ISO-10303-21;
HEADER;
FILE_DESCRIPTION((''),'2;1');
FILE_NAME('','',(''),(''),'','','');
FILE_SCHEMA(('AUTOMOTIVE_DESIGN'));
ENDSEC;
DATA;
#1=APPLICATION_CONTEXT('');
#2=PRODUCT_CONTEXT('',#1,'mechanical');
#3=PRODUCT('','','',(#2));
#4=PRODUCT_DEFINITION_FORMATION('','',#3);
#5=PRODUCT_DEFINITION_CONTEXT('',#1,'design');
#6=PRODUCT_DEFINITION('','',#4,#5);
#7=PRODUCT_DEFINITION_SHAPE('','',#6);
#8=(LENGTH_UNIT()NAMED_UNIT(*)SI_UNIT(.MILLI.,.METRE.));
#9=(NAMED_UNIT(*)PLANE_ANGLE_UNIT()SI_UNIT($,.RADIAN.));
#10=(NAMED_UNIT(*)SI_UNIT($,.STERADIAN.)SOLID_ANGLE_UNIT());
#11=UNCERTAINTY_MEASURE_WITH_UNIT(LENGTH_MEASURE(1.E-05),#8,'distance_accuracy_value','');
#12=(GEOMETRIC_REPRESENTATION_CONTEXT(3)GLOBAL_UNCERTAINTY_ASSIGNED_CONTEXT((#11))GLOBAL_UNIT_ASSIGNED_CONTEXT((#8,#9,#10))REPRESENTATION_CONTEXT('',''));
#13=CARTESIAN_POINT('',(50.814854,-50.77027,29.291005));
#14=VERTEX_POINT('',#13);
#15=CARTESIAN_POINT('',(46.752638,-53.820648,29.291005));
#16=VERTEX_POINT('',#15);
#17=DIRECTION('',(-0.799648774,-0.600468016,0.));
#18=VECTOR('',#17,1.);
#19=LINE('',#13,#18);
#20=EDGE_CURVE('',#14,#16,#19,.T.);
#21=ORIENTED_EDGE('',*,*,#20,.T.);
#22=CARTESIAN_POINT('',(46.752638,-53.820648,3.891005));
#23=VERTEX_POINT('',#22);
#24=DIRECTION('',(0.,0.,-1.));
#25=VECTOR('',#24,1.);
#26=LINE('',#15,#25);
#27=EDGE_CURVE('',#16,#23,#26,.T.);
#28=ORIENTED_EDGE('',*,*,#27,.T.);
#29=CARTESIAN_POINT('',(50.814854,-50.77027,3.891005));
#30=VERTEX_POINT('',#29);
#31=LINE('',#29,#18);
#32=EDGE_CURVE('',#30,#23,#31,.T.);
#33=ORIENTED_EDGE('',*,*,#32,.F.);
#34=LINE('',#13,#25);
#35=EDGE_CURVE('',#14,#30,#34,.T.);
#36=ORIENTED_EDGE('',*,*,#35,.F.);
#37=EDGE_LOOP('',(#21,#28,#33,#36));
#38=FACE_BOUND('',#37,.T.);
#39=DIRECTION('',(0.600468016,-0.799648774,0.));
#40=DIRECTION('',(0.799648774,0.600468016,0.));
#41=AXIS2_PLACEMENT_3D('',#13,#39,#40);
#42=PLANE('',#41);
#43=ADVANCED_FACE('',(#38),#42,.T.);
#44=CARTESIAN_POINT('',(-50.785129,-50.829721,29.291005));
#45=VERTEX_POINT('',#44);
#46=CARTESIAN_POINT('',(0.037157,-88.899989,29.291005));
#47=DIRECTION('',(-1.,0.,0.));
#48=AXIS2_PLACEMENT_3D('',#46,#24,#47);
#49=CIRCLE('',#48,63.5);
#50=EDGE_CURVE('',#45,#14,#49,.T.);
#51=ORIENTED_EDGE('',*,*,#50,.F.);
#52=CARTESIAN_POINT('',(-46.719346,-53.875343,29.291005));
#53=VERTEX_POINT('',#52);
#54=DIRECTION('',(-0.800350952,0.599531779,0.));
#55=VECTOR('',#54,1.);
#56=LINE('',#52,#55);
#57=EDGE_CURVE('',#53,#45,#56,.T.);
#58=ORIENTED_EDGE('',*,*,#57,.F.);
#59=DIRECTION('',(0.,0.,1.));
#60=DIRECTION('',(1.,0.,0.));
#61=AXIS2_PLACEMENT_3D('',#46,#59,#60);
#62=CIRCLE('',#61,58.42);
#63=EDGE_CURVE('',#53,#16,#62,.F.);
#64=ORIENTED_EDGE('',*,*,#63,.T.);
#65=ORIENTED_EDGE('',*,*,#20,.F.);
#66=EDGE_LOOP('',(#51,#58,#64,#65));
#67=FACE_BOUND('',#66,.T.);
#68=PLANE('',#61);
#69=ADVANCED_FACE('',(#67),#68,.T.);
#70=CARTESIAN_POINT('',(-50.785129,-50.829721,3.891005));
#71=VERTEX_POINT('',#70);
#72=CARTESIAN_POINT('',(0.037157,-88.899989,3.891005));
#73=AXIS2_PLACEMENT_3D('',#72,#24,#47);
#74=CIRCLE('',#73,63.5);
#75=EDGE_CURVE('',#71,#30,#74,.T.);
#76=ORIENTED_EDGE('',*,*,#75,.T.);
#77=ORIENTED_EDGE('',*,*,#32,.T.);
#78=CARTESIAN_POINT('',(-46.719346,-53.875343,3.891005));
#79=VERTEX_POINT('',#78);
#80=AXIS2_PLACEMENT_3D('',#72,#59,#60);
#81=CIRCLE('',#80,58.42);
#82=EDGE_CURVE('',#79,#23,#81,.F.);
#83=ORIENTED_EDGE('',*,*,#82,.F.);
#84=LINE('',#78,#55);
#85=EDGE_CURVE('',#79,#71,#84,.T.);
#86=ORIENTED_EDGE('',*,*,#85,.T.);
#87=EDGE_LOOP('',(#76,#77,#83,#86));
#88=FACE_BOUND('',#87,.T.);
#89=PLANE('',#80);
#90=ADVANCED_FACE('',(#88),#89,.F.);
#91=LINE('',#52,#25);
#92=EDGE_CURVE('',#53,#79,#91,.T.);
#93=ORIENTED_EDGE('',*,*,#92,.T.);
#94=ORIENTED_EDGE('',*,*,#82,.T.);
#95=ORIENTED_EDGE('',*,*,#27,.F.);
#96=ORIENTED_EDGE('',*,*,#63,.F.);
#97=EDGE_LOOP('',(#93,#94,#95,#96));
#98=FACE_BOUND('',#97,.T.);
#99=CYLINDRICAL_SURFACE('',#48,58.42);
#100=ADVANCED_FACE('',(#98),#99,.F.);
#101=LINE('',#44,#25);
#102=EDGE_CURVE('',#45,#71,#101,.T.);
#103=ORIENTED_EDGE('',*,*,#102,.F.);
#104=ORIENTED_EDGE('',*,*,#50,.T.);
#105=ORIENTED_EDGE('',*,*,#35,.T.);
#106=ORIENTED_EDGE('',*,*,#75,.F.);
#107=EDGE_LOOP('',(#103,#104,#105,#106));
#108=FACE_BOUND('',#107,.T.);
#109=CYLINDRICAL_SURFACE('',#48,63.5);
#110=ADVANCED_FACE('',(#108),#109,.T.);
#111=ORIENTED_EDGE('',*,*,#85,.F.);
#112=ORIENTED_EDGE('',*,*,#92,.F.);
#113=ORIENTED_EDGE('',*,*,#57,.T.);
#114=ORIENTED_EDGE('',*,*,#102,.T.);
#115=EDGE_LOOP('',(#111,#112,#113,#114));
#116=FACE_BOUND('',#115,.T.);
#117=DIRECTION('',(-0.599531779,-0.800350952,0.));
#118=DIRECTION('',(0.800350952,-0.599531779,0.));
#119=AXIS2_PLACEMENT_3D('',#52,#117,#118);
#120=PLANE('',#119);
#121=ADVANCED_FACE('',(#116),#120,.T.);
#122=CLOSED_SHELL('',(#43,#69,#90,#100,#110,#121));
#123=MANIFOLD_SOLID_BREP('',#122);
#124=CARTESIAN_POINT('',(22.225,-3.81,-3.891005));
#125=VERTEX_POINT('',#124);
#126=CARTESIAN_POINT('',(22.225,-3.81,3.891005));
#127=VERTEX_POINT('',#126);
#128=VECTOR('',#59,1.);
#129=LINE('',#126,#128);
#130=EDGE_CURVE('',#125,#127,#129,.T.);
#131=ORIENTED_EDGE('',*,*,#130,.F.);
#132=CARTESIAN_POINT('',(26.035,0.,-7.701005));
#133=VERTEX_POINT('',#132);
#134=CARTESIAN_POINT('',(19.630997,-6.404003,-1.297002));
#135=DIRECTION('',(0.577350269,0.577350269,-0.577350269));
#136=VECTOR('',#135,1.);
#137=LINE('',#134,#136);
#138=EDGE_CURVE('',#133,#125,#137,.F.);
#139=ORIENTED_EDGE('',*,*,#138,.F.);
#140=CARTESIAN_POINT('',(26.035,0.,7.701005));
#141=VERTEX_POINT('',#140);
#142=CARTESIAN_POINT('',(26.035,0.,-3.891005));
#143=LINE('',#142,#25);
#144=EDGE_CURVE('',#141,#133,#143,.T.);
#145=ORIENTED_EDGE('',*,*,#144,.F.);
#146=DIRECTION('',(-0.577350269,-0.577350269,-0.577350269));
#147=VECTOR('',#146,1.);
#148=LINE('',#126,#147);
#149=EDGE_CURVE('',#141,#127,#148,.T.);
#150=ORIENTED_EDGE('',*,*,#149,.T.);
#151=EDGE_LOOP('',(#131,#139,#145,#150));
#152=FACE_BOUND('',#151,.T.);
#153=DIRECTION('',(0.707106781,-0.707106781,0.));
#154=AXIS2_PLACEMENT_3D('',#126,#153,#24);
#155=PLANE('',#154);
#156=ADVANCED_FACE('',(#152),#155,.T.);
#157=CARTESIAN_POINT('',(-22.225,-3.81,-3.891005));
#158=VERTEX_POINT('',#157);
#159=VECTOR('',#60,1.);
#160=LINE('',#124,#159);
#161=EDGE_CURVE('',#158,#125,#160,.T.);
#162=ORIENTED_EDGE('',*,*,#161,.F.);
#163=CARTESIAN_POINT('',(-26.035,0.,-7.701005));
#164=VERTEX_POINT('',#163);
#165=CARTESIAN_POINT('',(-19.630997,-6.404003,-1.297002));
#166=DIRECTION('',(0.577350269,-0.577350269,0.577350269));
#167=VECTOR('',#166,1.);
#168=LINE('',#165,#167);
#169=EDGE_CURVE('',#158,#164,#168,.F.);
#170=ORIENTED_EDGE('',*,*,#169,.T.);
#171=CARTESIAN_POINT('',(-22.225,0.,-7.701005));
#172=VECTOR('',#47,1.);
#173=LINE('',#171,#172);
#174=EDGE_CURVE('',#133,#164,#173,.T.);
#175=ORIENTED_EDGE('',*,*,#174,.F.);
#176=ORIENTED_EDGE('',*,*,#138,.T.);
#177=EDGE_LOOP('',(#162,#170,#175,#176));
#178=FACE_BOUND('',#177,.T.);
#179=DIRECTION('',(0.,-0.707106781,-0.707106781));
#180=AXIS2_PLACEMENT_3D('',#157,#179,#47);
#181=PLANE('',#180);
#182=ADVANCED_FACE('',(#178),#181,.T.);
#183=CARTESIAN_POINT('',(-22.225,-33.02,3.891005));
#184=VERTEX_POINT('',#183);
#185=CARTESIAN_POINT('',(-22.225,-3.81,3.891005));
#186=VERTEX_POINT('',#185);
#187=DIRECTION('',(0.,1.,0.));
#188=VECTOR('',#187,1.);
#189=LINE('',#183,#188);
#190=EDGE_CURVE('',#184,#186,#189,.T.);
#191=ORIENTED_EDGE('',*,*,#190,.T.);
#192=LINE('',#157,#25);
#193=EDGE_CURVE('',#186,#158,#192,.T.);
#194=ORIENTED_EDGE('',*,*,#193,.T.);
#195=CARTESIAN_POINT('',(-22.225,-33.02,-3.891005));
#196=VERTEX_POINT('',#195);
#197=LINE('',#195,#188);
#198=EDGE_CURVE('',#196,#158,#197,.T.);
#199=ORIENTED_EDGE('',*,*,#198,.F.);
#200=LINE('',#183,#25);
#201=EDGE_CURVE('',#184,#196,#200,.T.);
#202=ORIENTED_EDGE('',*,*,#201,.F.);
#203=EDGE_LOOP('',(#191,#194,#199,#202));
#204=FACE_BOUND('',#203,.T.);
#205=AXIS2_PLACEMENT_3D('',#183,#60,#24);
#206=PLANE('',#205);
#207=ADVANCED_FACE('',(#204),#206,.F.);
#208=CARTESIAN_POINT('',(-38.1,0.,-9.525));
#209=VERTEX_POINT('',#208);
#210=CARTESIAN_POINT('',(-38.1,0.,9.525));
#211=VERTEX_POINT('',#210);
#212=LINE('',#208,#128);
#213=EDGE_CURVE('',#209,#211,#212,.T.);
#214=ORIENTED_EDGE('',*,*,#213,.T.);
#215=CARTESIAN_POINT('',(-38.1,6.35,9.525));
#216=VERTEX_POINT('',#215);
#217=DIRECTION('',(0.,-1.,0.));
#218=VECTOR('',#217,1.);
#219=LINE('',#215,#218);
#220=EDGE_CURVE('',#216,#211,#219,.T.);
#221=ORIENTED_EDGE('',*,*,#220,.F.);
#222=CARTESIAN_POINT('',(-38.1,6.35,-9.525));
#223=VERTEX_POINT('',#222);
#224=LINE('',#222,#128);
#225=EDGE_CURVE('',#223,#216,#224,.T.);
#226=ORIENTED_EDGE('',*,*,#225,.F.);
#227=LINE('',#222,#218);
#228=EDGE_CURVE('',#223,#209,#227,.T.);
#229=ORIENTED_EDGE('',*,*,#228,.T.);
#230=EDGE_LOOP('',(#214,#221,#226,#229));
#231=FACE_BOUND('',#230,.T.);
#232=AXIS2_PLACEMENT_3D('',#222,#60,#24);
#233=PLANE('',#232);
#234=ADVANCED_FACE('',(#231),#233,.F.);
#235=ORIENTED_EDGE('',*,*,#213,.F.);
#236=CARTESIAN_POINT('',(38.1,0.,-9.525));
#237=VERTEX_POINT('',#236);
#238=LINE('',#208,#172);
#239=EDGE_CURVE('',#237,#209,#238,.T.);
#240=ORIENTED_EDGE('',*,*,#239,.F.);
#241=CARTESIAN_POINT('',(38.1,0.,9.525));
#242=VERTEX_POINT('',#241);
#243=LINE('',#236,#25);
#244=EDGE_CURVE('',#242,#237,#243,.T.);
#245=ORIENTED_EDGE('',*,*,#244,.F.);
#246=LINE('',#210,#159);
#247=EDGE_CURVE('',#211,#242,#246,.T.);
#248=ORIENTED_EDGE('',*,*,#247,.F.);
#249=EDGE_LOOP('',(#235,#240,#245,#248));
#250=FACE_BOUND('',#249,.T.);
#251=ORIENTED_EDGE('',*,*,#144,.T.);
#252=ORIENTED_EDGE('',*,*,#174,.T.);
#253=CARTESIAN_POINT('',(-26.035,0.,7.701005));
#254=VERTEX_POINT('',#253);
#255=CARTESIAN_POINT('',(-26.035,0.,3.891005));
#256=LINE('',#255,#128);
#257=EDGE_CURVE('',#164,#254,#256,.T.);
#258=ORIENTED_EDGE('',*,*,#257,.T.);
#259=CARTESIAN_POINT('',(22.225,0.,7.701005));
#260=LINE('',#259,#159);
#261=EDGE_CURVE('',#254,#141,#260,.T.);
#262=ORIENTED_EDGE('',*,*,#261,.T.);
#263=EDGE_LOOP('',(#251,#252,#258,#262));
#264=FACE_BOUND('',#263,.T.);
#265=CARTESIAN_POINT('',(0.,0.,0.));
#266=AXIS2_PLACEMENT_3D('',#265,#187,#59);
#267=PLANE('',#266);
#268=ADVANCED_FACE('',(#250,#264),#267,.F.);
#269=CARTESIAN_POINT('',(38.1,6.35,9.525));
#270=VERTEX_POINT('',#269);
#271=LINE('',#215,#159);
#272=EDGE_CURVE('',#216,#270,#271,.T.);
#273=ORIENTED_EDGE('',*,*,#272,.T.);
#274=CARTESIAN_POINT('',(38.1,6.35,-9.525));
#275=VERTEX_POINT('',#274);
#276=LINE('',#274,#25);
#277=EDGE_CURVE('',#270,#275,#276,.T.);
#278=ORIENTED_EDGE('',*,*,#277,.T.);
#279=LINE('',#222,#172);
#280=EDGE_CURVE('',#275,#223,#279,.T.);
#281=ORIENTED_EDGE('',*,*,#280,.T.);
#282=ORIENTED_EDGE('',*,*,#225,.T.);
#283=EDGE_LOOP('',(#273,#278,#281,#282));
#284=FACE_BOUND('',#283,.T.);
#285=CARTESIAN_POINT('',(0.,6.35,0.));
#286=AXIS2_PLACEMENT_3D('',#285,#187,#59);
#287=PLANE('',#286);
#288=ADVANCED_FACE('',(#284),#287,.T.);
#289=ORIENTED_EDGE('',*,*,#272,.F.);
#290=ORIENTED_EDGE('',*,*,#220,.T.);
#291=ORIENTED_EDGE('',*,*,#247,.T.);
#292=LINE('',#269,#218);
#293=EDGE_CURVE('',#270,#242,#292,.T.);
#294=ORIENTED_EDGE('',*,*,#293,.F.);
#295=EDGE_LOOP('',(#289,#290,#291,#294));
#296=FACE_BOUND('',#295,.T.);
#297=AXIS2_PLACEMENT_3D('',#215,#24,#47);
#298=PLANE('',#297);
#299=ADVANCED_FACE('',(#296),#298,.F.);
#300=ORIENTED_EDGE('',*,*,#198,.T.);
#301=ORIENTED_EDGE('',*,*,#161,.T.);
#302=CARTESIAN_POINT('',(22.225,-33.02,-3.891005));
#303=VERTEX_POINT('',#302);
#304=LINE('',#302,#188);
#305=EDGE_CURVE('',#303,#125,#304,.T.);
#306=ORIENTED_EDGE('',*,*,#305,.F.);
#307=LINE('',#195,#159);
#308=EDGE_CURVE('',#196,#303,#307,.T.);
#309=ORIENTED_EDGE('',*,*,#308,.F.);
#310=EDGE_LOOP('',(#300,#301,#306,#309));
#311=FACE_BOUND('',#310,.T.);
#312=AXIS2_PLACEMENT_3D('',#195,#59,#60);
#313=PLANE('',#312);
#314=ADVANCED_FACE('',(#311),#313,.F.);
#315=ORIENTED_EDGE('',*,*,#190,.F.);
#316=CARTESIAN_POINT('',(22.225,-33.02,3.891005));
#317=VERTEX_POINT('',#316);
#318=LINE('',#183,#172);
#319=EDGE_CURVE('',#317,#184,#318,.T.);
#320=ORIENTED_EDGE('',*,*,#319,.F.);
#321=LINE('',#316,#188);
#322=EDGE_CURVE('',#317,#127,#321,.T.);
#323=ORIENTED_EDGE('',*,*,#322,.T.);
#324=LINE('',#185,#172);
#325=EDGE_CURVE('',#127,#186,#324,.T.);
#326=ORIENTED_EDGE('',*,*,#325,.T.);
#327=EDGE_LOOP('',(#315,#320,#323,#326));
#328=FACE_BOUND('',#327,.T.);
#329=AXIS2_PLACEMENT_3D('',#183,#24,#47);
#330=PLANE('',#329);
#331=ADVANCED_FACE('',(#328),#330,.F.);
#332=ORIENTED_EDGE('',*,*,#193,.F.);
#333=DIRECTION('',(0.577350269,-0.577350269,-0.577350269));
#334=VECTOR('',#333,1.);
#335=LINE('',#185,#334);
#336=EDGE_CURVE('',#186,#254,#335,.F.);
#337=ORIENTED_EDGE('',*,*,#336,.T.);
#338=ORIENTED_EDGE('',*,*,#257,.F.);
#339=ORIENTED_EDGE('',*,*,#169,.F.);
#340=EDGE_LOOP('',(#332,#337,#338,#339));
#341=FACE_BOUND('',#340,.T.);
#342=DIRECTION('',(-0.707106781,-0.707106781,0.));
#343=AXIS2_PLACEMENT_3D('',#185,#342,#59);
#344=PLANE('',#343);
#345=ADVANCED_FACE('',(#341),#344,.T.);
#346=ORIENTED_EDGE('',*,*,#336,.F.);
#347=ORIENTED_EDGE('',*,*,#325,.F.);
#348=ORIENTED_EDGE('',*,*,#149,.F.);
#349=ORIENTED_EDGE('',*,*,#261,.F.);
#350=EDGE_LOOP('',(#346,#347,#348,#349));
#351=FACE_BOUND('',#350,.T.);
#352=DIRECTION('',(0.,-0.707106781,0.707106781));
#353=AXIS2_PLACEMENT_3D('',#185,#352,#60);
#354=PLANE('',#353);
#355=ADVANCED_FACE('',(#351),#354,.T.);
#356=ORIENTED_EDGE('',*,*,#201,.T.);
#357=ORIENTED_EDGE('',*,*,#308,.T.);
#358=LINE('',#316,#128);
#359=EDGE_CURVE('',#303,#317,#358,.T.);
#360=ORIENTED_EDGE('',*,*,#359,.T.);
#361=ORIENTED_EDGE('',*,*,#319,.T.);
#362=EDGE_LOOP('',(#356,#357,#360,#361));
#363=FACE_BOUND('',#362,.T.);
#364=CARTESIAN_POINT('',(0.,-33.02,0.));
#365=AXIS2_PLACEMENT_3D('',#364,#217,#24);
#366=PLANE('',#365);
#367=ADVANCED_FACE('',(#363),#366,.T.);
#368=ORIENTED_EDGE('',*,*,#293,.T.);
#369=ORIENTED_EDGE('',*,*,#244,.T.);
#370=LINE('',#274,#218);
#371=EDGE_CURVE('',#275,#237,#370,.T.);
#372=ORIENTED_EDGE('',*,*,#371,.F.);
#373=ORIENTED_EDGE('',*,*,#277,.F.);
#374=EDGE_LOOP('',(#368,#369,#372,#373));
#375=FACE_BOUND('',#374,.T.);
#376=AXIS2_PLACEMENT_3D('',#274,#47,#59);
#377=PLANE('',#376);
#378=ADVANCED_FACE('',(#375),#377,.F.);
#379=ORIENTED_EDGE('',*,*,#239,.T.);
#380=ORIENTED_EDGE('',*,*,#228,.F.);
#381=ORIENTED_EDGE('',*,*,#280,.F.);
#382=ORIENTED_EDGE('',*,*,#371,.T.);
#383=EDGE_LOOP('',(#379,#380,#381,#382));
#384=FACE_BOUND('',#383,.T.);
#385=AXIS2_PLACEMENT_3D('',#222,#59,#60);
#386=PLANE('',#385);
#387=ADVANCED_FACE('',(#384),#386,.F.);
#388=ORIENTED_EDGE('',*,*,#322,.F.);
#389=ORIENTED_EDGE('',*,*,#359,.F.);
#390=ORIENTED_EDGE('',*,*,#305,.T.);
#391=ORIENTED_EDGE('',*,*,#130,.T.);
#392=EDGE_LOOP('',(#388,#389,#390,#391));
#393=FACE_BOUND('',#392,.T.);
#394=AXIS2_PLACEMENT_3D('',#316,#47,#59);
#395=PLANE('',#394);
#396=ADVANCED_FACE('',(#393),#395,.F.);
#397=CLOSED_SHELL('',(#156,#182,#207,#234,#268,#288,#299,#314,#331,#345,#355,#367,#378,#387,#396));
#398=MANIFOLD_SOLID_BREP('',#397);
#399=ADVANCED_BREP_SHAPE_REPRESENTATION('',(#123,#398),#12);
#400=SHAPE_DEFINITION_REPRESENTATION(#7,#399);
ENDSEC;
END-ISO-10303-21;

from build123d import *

# Parameters (mm, degrees)
SKETCH1_W           = 76.2
SKETCH1_H           = 19.05
BOSS_EXTRUDE1_DEPTH = 6.35
SKETCH2_W           = 44.45
SKETCH2_H           = 7.782009592
BOSS_EXTRUDE2_DEPTH = 33.02
EXTRUDE_THIN1_DEPTH = 25.4
CHAMFER1_SIZE       = 3.81


with BuildPart() as part:
    # Sketch1 → Boss-Extrude1 (new body)
    with BuildSketch(Plane(origin=(0, 0, 0), x_dir=(1, 0, 0), z_dir=(0, 1, 0))):
        Rectangle(SKETCH1_W, SKETCH1_H)
    extrude(amount=BOSS_EXTRUDE1_DEPTH)

    # Sketch2 → Boss-Extrude2 (add)
    with BuildSketch(Plane.XZ):
        Rectangle(SKETCH2_W, SKETCH2_H)
    extrude(amount=BOSS_EXTRUDE2_DEPTH)

    # Chamfer1
    chamfer1_edges = [part.edges().sort_by_distance(p)[0] for p in [
        (22.225, 0, 0),
        (0, 0, 3.891004796),
        (-22.225, 0, 0),
        (0, 0, -3.891004796),
    ]]
    chamfer(chamfer1_edges, length=CHAMFER1_SIZE)


with BuildPart() as body_2:
    # Sketch3 → Extrude-Thin1 (new body)
    with BuildSketch(Plane.XY.offset(3.891004796)):
        with BuildLine():
            ThreePointArc((-50.785128532, -50.829721193), (0, -25.4), (50.814854074, -50.77027011))
            Line((50.814854074, -50.77027011), (46.752638302, -53.820647631))
            ThreePointArc((46.752638302, -53.820647631), (0.002972554, -30.47999913), (-46.719345696, -53.875342628))
            Line((-46.719345696, -53.875342628), (-50.785128532, -50.829721193))
        make_face()
    extrude(amount=EXTRUDE_THIN1_DEPTH)


solid = Compound([part.part, body_2.part])
